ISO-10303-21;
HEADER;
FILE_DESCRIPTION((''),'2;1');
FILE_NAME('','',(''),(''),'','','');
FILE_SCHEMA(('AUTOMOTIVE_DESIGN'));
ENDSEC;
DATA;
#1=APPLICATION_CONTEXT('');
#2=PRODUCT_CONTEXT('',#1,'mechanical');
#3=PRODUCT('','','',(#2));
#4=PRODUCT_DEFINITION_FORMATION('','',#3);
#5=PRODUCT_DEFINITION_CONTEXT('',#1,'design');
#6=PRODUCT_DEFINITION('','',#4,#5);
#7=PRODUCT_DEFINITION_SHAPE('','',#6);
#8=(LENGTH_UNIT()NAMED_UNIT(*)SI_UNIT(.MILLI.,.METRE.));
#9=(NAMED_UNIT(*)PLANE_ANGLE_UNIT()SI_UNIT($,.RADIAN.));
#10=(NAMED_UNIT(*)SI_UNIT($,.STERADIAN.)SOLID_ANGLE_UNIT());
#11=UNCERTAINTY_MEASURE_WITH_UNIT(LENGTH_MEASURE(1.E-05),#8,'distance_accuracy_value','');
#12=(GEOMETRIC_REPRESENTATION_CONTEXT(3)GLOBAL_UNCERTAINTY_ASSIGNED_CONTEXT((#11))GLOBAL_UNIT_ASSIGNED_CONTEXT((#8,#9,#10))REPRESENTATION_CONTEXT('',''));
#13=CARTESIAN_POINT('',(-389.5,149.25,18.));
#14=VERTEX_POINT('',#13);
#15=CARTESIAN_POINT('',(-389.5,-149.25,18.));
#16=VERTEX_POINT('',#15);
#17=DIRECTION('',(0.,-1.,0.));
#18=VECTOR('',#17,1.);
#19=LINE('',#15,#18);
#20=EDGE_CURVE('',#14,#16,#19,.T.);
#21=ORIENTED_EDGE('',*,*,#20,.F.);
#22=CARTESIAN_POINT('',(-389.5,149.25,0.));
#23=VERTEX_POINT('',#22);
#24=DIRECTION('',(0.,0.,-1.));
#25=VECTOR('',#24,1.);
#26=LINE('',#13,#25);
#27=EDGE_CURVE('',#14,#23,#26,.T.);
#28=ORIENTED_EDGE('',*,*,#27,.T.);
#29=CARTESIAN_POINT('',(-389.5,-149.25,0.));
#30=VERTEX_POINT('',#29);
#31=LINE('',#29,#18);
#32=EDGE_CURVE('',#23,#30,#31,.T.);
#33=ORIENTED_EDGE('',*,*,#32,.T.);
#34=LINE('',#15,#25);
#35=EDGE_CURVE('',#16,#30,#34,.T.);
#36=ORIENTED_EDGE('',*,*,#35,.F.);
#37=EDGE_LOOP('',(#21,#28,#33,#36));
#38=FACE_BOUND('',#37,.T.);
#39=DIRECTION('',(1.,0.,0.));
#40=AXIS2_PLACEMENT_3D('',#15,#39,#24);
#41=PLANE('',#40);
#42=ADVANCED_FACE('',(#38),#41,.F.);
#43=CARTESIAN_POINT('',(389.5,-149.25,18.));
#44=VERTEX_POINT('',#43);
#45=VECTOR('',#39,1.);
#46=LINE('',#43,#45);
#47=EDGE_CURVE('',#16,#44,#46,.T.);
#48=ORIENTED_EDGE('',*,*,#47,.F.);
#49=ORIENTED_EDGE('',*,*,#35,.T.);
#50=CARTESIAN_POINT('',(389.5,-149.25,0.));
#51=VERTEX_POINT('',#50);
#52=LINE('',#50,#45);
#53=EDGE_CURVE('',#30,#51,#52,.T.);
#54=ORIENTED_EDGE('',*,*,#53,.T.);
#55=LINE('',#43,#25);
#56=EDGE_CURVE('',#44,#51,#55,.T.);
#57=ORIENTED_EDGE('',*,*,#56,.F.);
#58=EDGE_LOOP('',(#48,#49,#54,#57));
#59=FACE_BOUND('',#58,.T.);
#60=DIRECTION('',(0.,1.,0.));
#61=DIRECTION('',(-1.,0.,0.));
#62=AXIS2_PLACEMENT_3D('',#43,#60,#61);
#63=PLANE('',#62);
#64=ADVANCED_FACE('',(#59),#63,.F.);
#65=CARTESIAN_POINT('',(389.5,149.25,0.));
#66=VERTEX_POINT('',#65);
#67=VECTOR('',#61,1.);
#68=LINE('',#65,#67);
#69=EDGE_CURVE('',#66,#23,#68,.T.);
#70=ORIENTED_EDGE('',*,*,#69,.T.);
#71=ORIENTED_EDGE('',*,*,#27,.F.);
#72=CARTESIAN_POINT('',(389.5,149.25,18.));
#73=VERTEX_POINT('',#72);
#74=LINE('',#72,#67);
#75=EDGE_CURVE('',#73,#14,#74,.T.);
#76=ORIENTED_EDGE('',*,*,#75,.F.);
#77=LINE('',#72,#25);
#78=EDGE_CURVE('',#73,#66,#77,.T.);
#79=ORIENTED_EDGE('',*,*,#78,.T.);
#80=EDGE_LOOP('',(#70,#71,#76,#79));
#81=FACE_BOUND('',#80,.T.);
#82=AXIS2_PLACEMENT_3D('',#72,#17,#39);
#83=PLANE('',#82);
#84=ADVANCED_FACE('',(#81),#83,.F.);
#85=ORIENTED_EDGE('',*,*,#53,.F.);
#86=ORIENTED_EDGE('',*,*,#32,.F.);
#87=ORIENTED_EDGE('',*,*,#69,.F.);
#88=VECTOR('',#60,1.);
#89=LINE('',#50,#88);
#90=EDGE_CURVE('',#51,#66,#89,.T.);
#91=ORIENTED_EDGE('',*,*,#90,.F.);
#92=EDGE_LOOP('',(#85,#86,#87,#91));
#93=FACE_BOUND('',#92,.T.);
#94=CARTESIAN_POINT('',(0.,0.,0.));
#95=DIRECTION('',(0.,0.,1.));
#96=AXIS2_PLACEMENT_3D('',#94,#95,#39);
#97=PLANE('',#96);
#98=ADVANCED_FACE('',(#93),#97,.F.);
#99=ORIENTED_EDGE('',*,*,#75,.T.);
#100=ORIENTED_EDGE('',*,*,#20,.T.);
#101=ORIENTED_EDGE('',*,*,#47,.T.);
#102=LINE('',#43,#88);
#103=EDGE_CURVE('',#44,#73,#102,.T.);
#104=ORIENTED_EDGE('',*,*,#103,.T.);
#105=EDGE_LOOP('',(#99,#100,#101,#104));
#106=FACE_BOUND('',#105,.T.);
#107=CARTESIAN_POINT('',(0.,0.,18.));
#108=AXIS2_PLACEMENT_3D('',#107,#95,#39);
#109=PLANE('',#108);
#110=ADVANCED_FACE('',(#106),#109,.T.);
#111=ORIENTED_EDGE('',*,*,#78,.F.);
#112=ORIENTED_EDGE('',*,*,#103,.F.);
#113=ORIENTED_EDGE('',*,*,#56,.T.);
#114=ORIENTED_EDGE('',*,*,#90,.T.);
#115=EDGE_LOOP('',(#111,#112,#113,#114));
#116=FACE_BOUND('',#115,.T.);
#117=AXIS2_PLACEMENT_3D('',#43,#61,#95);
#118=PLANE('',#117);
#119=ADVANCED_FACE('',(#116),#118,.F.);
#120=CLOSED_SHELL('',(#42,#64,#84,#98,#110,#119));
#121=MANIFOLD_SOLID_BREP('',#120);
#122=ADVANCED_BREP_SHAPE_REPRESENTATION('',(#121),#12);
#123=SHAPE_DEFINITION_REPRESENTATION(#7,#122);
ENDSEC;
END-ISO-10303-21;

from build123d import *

# Parameters (mm, degrees)
SKETCH1_W           = 779
SKETCH1_H           = 298.5
BOSS_EXTRUDE1_DEPTH = 18


with BuildPart() as part:
    # Sketch1 → Boss-Extrude1 (new body)
    with BuildSketch(Plane.XY):
        Rectangle(SKETCH1_W, SKETCH1_H)
    extrude(amount=BOSS_EXTRUDE1_DEPTH)


solid = part.part
